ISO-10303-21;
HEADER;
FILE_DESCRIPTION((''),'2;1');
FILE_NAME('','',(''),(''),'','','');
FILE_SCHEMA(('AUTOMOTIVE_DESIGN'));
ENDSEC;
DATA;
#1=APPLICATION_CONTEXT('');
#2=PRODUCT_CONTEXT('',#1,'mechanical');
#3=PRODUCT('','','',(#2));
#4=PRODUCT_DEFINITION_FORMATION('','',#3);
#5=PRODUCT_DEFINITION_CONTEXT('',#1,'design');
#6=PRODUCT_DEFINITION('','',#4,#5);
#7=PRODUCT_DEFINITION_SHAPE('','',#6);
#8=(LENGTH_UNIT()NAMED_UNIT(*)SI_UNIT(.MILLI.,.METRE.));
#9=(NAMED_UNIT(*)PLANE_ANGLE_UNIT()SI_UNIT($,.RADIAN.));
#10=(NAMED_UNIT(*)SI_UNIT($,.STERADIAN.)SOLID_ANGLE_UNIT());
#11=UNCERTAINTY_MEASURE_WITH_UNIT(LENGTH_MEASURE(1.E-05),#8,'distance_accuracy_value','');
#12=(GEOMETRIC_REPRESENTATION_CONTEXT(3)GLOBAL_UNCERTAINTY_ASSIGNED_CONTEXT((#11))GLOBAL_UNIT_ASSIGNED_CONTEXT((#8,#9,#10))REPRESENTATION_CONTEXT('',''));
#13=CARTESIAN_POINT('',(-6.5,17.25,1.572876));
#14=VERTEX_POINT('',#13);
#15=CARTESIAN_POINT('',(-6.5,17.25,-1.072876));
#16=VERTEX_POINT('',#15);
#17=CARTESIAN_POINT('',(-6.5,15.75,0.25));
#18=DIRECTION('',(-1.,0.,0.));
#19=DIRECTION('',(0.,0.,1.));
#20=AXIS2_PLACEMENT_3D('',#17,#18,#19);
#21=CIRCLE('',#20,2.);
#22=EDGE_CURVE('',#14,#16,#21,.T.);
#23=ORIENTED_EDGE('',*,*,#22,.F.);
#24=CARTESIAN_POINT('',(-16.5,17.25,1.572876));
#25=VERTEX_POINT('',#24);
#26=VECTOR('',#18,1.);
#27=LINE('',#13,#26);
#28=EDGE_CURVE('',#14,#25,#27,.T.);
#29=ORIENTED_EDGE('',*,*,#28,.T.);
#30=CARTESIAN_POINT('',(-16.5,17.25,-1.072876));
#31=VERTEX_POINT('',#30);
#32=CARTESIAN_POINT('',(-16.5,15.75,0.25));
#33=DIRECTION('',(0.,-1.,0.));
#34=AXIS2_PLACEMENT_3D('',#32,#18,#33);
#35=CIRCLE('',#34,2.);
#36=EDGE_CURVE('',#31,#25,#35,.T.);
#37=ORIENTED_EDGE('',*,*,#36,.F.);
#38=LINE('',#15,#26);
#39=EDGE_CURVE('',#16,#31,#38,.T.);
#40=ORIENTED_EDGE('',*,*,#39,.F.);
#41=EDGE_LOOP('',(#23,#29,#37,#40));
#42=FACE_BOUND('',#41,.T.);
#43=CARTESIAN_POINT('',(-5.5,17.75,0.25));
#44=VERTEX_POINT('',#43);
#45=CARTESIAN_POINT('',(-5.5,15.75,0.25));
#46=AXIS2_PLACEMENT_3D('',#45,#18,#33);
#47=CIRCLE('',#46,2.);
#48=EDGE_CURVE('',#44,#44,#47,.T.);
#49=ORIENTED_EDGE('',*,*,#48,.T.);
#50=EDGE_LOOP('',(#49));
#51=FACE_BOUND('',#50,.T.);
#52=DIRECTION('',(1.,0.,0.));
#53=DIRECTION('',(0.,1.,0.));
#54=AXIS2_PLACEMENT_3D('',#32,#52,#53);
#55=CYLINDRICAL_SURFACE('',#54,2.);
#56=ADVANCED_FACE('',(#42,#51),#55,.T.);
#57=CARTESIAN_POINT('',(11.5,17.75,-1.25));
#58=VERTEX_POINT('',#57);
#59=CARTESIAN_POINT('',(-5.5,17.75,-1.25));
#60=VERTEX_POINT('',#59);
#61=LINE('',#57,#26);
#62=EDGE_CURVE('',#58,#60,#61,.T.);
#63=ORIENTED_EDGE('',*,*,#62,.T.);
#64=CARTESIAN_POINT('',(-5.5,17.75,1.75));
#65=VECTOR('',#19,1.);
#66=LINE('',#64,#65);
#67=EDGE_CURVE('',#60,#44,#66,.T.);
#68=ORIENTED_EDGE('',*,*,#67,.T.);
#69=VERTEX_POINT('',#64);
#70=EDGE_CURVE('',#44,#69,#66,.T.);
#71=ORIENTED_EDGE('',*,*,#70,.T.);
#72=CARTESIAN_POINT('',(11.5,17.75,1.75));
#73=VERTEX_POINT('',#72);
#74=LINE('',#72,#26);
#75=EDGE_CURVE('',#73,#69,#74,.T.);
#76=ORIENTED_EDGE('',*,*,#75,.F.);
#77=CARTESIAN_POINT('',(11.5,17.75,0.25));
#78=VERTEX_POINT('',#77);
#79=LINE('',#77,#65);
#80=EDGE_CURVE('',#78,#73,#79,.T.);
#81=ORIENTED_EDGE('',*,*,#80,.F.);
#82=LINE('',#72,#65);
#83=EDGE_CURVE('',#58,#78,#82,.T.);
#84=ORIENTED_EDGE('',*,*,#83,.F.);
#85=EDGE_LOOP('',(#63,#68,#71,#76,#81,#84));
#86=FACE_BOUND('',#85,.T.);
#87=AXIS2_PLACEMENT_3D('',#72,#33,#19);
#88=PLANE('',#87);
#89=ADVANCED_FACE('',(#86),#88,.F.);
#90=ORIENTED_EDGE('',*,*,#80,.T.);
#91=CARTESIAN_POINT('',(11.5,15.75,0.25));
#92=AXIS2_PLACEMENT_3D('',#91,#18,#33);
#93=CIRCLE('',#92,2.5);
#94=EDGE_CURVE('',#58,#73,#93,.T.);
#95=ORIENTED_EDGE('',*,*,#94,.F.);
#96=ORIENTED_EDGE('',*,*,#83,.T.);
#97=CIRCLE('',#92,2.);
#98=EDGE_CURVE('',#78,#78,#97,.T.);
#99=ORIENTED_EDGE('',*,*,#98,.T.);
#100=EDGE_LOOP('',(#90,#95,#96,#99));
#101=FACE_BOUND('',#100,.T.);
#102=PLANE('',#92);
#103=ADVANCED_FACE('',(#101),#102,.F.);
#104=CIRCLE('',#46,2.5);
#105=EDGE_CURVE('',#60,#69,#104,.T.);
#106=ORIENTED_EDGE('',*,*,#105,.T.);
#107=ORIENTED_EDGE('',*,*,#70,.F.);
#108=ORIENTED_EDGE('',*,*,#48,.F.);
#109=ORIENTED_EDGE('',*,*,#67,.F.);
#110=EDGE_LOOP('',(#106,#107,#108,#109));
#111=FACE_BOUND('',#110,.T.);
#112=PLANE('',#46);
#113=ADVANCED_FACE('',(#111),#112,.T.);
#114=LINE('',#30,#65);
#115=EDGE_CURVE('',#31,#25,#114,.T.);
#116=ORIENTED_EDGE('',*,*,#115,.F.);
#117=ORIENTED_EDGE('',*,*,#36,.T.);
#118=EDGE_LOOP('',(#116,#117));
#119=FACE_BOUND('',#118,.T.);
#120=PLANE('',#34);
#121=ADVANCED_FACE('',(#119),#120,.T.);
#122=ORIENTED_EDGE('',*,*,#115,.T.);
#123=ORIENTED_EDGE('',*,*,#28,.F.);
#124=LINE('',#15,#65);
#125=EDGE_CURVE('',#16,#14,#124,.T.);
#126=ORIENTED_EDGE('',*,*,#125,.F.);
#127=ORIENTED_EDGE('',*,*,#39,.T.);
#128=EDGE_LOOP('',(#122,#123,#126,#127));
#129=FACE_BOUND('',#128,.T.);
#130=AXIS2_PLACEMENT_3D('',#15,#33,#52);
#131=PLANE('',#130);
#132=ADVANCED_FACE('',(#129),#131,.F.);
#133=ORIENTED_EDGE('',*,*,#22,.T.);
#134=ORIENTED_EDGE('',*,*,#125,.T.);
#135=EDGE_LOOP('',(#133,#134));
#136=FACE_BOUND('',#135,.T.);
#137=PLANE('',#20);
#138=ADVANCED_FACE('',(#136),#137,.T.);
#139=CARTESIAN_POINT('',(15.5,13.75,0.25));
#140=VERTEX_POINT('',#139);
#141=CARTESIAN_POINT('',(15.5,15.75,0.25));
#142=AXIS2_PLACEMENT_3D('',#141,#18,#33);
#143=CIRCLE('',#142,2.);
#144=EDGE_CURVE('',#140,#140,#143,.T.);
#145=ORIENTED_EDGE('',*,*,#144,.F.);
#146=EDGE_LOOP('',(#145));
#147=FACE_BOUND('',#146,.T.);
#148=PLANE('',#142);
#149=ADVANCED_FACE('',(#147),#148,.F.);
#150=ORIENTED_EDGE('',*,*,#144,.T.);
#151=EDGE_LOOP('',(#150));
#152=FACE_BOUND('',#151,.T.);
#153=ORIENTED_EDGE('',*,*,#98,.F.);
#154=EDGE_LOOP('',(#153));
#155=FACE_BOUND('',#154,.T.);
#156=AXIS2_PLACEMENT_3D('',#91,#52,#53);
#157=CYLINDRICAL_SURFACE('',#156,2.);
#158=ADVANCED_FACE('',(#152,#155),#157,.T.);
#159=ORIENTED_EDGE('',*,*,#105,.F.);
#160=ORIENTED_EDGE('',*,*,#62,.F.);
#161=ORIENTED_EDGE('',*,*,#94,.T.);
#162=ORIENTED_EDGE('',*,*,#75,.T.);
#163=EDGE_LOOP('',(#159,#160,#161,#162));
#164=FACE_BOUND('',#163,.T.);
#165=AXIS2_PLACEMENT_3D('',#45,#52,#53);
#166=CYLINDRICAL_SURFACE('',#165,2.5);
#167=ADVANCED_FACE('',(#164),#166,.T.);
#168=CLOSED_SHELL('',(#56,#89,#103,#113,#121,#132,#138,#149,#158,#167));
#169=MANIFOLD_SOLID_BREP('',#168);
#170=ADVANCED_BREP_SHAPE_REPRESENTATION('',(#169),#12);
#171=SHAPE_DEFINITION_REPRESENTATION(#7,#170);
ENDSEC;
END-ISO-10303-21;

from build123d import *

# Parameters (mm, degrees)
SKETCH1_R             = 2
BOSS_EXTRUDE1_DEPTH   = 4
SKETCH2_R             = 2.5
BOSS_EXTRUDE2_DEPTH   = 17
CUT_EXTRUDE1_START    = -17
CUT_EXTRUDE1_DEPTH    = 17
SKETCH4_R             = 2
BOSS_EXTRUDE3_DEPTH   = 11
BODY_MOVE_COPY3_ANGLE = 90
BODY_MOVE_COPY5_ANGLE = 90
CUT_EXTRUDE2_START    = -10
CUT_EXTRUDE2_DEPTH    = 10


with BuildPart() as part:
    # Sketch1 → Boss-Extrude1 (new body)
    with BuildSketch(Plane(origin=(0, 0, 0), x_dir=(1, 0, 0), z_dir=(0, 1, 0))):
        with Locations(Location((0, 0, 0), (0, 0, 270))):
            Circle(SKETCH1_R)
    extrude(amount=BOSS_EXTRUDE1_DEPTH)

    # Sketch2 → Boss-Extrude2 (add)
    with BuildSketch(Plane(origin=(0, 4, 0), x_dir=(1, 0, 0), z_dir=(0, 1, 0))):
        with Locations(Location((0, 0, 0), (0, 0, 270))):
            Circle(SKETCH2_R)
    extrude(amount=BOSS_EXTRUDE2_DEPTH)

    # Sketch3 → Cut-Extrude1 (cut)
    with BuildSketch(Plane(origin=(0, 21, 0), x_dir=(1, 0, 0), z_dir=(0, 1, 0)).offset(CUT_EXTRUDE1_START)):
        with BuildLine():
            Line((1.5, 2), (-1.5, 2))
            ThreePointArc((-1.5, 2), (0, 2.5), (1.5, 2))
        make_face()
    extrude(amount=CUT_EXTRUDE1_DEPTH, mode=Mode.SUBTRACT)

    # Sketch4 → Boss-Extrude3 (add)
    with BuildSketch(Plane(origin=(0, 21, 0), x_dir=(1, 0, 0), z_dir=(0, 1, 0))):
        with Locations(Location((0, 0, 0), (0, 0, 90))):
            Circle(SKETCH4_R)
    extrude(amount=BOSS_EXTRUDE3_DEPTH)


with BuildPart() as part_1:
    # Body-Move/Copy3: moved
    add(part.part.rotate(Axis((0, 15.5, 0), (0, 0, 1)), BODY_MOVE_COPY3_ANGLE))


with BuildPart() as part_2:
    # Body-Move/Copy5: moved
    add(part_1.part.rotate(Axis((0, 15.5, 0.25), (1, 0, 0)), BODY_MOVE_COPY5_ANGLE))

    # Sketch5 → Cut-Extrude2 (cut)
    with BuildSketch(Plane.ZY.offset(16.5).offset(CUT_EXTRUDE2_START)):
        with BuildLine():
            Line((-1.072875656, 17.25), (1.572875656, 17.25))
            ThreePointArc((1.572875656, 17.25), (0.25, 17.75), (-1.072875656, 17.25))
        make_face()
    extrude(amount=CUT_EXTRUDE2_DEPTH, mode=Mode.SUBTRACT)


solid = part_2.part
